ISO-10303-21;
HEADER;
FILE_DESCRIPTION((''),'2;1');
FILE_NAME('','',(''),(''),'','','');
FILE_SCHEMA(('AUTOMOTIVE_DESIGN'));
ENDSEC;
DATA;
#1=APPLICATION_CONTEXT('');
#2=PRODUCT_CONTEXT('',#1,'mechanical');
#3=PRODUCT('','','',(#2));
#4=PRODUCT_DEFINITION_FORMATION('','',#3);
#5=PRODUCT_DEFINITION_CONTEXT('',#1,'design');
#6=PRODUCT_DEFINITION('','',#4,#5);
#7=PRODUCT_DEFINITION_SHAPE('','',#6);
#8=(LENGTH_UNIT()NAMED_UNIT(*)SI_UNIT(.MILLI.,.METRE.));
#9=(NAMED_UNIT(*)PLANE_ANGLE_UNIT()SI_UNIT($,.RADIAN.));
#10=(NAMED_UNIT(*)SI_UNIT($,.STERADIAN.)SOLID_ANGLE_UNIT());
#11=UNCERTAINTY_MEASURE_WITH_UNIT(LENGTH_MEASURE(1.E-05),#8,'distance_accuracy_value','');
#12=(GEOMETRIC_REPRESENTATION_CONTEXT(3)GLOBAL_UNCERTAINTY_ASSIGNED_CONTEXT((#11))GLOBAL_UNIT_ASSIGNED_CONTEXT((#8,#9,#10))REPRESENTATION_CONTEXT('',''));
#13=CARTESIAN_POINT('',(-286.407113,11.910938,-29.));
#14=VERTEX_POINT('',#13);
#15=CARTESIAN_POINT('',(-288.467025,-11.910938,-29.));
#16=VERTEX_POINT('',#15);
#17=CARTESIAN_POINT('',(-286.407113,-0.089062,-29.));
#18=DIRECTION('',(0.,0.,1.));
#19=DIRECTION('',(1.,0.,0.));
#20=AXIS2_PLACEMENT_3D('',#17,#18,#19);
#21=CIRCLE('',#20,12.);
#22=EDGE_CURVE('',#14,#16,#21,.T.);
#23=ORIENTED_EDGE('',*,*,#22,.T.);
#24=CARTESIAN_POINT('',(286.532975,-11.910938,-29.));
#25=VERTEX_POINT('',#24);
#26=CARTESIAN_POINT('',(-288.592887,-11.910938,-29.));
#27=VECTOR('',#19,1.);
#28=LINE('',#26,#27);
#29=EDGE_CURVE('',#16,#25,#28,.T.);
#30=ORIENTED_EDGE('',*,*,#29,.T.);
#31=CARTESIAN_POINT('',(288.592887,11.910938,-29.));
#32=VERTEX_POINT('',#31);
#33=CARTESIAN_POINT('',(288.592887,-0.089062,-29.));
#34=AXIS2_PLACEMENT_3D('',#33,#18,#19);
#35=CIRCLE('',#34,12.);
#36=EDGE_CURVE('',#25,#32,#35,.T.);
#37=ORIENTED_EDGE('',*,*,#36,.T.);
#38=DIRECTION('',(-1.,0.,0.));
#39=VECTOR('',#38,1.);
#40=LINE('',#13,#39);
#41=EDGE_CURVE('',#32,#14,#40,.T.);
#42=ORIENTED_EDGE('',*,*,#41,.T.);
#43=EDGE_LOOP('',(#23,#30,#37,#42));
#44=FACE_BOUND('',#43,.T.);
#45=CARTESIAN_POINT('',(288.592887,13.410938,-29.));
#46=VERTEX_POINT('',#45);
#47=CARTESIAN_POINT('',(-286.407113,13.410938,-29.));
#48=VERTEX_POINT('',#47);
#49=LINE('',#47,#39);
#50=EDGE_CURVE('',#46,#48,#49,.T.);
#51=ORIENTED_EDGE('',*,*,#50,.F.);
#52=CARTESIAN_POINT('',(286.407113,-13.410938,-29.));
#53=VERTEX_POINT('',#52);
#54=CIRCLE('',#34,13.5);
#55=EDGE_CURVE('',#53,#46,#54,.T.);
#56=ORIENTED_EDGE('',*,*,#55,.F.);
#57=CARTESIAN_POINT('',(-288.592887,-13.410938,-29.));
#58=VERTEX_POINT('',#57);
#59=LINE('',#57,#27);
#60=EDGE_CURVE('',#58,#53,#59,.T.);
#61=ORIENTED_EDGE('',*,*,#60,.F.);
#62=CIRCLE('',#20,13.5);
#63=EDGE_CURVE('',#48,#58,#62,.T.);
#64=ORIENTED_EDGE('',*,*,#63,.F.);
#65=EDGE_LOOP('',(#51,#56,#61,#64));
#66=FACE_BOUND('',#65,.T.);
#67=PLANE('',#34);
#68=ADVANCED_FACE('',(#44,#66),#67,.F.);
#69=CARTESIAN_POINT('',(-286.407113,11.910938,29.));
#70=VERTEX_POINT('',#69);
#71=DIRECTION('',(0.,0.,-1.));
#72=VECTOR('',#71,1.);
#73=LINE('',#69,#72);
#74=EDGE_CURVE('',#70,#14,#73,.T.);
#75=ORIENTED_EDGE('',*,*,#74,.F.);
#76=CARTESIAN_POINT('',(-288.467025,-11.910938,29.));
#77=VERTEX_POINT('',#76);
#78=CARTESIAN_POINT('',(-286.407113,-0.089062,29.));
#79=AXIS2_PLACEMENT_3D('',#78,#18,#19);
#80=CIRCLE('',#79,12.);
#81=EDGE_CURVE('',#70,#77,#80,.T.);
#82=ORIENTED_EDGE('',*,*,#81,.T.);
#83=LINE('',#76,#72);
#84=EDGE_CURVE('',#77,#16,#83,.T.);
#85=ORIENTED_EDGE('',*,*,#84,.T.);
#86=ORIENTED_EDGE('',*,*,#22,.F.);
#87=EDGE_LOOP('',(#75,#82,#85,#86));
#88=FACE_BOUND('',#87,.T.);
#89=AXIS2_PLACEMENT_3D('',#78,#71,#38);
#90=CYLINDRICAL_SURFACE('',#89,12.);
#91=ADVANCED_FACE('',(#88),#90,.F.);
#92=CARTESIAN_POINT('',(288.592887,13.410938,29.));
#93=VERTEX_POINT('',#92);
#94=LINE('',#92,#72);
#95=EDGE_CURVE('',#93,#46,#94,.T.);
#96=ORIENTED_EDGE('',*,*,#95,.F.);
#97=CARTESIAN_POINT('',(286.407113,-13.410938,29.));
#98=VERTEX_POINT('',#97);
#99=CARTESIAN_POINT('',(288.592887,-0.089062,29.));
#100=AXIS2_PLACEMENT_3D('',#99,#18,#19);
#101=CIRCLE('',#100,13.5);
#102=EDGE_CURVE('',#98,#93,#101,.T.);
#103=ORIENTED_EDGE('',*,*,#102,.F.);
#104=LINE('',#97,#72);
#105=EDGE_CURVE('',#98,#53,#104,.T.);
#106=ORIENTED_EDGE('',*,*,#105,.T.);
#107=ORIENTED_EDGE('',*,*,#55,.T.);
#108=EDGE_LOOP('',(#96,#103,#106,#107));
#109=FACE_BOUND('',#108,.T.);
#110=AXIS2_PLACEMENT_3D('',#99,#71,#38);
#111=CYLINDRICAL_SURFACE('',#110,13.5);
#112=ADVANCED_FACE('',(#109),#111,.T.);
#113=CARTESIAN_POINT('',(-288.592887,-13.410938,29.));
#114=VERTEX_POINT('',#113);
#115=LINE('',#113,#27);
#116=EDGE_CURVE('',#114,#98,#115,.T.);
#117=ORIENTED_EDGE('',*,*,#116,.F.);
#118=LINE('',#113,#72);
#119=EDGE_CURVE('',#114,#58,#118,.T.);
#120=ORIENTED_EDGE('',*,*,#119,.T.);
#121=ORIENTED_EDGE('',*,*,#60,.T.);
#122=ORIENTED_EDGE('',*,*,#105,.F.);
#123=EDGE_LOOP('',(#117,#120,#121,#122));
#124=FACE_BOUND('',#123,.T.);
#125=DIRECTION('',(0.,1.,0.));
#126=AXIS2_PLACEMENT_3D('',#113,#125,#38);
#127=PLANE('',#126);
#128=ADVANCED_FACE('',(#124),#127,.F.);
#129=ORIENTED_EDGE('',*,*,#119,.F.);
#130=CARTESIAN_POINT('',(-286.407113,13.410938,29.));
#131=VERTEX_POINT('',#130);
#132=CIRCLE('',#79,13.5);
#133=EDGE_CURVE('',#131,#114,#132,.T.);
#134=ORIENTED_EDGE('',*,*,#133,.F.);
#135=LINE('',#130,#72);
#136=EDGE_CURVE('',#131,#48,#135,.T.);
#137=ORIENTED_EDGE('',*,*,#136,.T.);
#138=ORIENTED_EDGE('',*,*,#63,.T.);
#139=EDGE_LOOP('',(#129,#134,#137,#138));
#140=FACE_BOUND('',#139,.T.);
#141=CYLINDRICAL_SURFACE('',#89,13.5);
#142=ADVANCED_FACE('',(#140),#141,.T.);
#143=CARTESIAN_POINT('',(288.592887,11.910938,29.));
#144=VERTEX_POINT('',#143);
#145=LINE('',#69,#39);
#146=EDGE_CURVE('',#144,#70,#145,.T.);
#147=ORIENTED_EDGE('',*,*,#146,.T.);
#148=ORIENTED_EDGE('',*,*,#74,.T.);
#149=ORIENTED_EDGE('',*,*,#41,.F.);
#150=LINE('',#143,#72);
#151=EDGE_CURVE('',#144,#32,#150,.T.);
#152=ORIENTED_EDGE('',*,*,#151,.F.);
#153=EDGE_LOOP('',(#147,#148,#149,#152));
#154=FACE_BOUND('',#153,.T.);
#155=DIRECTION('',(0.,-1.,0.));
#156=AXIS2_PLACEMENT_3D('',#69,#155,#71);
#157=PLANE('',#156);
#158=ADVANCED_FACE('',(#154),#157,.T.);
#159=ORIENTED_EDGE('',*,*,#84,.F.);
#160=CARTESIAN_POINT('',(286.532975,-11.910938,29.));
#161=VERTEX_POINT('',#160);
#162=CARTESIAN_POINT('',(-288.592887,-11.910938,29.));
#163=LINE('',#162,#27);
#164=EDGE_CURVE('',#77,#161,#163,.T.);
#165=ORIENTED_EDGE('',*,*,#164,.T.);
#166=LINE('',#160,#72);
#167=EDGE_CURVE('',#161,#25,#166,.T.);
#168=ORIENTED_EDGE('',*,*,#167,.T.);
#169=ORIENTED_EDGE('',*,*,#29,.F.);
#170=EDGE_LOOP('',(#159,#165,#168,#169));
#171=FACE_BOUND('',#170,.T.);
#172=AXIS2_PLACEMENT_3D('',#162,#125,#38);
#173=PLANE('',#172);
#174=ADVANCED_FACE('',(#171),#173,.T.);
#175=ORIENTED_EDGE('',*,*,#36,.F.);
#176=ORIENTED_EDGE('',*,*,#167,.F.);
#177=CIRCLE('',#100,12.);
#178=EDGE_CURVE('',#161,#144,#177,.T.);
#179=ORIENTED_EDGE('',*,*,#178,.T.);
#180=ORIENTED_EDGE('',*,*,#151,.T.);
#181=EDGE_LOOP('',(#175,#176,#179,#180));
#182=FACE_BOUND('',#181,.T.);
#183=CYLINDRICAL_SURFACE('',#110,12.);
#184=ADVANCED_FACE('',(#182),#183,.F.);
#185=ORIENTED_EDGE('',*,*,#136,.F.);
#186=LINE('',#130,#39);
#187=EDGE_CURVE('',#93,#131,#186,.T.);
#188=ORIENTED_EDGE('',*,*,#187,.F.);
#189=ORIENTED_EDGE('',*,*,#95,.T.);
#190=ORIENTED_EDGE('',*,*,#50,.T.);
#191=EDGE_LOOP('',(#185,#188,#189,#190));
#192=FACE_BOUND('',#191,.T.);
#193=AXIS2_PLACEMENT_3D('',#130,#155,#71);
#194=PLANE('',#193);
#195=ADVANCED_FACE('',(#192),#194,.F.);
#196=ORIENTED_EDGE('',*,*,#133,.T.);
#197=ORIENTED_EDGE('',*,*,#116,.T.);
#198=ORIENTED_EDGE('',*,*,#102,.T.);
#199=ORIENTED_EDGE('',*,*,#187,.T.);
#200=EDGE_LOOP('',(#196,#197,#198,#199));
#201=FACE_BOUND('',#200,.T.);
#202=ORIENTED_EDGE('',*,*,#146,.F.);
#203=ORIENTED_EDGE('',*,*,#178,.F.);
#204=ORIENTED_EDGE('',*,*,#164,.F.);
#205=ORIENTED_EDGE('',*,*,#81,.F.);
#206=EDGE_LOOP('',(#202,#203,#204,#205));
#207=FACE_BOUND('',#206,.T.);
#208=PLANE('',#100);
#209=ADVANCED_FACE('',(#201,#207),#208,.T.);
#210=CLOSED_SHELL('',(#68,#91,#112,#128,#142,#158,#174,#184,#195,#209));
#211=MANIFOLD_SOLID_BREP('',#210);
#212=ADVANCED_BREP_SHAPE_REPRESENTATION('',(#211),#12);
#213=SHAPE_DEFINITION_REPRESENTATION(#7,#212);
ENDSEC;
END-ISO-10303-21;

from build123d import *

# Parameters (mm, degrees)
SALIENTE_EXTRUIR1_DEPTH = 29
VACIADO3_T              = -1.5


with BuildPart() as part:
    # Croquis1 → Saliente-Extruir1 (new, symmetric)
    with BuildSketch(Plane.XY):
        with BuildLine():
            Line((-288.592886812, -13.410938253), (286.407113188, -13.410938253))
            ThreePointArc((286.407113188, -13.410938253), (302.048282251, -1.185571473), (288.592886812, 13.410938253))
            Line((288.592886812, 13.410938253), (-286.407113188, 13.410938253))
            ThreePointArc((-286.407113188, 13.410938253), (-299.862508627, 1.00744798), (-288.592886812, -13.410938253))
        make_face()
    extrude(amount=SALIENTE_EXTRUIR1_DEPTH, both=True)

    # Vaciado3
    vaciado3_openings = [part.faces().sort_by_distance(p)[0] for p in [
        (1.102229912, -0.003188018, 29),
        (1.102229912, -0.003188018, -29),
    ]]
    offset(amount=VACIADO3_T, openings=vaciado3_openings, kind=Kind.INTERSECTION)


solid = part.part
